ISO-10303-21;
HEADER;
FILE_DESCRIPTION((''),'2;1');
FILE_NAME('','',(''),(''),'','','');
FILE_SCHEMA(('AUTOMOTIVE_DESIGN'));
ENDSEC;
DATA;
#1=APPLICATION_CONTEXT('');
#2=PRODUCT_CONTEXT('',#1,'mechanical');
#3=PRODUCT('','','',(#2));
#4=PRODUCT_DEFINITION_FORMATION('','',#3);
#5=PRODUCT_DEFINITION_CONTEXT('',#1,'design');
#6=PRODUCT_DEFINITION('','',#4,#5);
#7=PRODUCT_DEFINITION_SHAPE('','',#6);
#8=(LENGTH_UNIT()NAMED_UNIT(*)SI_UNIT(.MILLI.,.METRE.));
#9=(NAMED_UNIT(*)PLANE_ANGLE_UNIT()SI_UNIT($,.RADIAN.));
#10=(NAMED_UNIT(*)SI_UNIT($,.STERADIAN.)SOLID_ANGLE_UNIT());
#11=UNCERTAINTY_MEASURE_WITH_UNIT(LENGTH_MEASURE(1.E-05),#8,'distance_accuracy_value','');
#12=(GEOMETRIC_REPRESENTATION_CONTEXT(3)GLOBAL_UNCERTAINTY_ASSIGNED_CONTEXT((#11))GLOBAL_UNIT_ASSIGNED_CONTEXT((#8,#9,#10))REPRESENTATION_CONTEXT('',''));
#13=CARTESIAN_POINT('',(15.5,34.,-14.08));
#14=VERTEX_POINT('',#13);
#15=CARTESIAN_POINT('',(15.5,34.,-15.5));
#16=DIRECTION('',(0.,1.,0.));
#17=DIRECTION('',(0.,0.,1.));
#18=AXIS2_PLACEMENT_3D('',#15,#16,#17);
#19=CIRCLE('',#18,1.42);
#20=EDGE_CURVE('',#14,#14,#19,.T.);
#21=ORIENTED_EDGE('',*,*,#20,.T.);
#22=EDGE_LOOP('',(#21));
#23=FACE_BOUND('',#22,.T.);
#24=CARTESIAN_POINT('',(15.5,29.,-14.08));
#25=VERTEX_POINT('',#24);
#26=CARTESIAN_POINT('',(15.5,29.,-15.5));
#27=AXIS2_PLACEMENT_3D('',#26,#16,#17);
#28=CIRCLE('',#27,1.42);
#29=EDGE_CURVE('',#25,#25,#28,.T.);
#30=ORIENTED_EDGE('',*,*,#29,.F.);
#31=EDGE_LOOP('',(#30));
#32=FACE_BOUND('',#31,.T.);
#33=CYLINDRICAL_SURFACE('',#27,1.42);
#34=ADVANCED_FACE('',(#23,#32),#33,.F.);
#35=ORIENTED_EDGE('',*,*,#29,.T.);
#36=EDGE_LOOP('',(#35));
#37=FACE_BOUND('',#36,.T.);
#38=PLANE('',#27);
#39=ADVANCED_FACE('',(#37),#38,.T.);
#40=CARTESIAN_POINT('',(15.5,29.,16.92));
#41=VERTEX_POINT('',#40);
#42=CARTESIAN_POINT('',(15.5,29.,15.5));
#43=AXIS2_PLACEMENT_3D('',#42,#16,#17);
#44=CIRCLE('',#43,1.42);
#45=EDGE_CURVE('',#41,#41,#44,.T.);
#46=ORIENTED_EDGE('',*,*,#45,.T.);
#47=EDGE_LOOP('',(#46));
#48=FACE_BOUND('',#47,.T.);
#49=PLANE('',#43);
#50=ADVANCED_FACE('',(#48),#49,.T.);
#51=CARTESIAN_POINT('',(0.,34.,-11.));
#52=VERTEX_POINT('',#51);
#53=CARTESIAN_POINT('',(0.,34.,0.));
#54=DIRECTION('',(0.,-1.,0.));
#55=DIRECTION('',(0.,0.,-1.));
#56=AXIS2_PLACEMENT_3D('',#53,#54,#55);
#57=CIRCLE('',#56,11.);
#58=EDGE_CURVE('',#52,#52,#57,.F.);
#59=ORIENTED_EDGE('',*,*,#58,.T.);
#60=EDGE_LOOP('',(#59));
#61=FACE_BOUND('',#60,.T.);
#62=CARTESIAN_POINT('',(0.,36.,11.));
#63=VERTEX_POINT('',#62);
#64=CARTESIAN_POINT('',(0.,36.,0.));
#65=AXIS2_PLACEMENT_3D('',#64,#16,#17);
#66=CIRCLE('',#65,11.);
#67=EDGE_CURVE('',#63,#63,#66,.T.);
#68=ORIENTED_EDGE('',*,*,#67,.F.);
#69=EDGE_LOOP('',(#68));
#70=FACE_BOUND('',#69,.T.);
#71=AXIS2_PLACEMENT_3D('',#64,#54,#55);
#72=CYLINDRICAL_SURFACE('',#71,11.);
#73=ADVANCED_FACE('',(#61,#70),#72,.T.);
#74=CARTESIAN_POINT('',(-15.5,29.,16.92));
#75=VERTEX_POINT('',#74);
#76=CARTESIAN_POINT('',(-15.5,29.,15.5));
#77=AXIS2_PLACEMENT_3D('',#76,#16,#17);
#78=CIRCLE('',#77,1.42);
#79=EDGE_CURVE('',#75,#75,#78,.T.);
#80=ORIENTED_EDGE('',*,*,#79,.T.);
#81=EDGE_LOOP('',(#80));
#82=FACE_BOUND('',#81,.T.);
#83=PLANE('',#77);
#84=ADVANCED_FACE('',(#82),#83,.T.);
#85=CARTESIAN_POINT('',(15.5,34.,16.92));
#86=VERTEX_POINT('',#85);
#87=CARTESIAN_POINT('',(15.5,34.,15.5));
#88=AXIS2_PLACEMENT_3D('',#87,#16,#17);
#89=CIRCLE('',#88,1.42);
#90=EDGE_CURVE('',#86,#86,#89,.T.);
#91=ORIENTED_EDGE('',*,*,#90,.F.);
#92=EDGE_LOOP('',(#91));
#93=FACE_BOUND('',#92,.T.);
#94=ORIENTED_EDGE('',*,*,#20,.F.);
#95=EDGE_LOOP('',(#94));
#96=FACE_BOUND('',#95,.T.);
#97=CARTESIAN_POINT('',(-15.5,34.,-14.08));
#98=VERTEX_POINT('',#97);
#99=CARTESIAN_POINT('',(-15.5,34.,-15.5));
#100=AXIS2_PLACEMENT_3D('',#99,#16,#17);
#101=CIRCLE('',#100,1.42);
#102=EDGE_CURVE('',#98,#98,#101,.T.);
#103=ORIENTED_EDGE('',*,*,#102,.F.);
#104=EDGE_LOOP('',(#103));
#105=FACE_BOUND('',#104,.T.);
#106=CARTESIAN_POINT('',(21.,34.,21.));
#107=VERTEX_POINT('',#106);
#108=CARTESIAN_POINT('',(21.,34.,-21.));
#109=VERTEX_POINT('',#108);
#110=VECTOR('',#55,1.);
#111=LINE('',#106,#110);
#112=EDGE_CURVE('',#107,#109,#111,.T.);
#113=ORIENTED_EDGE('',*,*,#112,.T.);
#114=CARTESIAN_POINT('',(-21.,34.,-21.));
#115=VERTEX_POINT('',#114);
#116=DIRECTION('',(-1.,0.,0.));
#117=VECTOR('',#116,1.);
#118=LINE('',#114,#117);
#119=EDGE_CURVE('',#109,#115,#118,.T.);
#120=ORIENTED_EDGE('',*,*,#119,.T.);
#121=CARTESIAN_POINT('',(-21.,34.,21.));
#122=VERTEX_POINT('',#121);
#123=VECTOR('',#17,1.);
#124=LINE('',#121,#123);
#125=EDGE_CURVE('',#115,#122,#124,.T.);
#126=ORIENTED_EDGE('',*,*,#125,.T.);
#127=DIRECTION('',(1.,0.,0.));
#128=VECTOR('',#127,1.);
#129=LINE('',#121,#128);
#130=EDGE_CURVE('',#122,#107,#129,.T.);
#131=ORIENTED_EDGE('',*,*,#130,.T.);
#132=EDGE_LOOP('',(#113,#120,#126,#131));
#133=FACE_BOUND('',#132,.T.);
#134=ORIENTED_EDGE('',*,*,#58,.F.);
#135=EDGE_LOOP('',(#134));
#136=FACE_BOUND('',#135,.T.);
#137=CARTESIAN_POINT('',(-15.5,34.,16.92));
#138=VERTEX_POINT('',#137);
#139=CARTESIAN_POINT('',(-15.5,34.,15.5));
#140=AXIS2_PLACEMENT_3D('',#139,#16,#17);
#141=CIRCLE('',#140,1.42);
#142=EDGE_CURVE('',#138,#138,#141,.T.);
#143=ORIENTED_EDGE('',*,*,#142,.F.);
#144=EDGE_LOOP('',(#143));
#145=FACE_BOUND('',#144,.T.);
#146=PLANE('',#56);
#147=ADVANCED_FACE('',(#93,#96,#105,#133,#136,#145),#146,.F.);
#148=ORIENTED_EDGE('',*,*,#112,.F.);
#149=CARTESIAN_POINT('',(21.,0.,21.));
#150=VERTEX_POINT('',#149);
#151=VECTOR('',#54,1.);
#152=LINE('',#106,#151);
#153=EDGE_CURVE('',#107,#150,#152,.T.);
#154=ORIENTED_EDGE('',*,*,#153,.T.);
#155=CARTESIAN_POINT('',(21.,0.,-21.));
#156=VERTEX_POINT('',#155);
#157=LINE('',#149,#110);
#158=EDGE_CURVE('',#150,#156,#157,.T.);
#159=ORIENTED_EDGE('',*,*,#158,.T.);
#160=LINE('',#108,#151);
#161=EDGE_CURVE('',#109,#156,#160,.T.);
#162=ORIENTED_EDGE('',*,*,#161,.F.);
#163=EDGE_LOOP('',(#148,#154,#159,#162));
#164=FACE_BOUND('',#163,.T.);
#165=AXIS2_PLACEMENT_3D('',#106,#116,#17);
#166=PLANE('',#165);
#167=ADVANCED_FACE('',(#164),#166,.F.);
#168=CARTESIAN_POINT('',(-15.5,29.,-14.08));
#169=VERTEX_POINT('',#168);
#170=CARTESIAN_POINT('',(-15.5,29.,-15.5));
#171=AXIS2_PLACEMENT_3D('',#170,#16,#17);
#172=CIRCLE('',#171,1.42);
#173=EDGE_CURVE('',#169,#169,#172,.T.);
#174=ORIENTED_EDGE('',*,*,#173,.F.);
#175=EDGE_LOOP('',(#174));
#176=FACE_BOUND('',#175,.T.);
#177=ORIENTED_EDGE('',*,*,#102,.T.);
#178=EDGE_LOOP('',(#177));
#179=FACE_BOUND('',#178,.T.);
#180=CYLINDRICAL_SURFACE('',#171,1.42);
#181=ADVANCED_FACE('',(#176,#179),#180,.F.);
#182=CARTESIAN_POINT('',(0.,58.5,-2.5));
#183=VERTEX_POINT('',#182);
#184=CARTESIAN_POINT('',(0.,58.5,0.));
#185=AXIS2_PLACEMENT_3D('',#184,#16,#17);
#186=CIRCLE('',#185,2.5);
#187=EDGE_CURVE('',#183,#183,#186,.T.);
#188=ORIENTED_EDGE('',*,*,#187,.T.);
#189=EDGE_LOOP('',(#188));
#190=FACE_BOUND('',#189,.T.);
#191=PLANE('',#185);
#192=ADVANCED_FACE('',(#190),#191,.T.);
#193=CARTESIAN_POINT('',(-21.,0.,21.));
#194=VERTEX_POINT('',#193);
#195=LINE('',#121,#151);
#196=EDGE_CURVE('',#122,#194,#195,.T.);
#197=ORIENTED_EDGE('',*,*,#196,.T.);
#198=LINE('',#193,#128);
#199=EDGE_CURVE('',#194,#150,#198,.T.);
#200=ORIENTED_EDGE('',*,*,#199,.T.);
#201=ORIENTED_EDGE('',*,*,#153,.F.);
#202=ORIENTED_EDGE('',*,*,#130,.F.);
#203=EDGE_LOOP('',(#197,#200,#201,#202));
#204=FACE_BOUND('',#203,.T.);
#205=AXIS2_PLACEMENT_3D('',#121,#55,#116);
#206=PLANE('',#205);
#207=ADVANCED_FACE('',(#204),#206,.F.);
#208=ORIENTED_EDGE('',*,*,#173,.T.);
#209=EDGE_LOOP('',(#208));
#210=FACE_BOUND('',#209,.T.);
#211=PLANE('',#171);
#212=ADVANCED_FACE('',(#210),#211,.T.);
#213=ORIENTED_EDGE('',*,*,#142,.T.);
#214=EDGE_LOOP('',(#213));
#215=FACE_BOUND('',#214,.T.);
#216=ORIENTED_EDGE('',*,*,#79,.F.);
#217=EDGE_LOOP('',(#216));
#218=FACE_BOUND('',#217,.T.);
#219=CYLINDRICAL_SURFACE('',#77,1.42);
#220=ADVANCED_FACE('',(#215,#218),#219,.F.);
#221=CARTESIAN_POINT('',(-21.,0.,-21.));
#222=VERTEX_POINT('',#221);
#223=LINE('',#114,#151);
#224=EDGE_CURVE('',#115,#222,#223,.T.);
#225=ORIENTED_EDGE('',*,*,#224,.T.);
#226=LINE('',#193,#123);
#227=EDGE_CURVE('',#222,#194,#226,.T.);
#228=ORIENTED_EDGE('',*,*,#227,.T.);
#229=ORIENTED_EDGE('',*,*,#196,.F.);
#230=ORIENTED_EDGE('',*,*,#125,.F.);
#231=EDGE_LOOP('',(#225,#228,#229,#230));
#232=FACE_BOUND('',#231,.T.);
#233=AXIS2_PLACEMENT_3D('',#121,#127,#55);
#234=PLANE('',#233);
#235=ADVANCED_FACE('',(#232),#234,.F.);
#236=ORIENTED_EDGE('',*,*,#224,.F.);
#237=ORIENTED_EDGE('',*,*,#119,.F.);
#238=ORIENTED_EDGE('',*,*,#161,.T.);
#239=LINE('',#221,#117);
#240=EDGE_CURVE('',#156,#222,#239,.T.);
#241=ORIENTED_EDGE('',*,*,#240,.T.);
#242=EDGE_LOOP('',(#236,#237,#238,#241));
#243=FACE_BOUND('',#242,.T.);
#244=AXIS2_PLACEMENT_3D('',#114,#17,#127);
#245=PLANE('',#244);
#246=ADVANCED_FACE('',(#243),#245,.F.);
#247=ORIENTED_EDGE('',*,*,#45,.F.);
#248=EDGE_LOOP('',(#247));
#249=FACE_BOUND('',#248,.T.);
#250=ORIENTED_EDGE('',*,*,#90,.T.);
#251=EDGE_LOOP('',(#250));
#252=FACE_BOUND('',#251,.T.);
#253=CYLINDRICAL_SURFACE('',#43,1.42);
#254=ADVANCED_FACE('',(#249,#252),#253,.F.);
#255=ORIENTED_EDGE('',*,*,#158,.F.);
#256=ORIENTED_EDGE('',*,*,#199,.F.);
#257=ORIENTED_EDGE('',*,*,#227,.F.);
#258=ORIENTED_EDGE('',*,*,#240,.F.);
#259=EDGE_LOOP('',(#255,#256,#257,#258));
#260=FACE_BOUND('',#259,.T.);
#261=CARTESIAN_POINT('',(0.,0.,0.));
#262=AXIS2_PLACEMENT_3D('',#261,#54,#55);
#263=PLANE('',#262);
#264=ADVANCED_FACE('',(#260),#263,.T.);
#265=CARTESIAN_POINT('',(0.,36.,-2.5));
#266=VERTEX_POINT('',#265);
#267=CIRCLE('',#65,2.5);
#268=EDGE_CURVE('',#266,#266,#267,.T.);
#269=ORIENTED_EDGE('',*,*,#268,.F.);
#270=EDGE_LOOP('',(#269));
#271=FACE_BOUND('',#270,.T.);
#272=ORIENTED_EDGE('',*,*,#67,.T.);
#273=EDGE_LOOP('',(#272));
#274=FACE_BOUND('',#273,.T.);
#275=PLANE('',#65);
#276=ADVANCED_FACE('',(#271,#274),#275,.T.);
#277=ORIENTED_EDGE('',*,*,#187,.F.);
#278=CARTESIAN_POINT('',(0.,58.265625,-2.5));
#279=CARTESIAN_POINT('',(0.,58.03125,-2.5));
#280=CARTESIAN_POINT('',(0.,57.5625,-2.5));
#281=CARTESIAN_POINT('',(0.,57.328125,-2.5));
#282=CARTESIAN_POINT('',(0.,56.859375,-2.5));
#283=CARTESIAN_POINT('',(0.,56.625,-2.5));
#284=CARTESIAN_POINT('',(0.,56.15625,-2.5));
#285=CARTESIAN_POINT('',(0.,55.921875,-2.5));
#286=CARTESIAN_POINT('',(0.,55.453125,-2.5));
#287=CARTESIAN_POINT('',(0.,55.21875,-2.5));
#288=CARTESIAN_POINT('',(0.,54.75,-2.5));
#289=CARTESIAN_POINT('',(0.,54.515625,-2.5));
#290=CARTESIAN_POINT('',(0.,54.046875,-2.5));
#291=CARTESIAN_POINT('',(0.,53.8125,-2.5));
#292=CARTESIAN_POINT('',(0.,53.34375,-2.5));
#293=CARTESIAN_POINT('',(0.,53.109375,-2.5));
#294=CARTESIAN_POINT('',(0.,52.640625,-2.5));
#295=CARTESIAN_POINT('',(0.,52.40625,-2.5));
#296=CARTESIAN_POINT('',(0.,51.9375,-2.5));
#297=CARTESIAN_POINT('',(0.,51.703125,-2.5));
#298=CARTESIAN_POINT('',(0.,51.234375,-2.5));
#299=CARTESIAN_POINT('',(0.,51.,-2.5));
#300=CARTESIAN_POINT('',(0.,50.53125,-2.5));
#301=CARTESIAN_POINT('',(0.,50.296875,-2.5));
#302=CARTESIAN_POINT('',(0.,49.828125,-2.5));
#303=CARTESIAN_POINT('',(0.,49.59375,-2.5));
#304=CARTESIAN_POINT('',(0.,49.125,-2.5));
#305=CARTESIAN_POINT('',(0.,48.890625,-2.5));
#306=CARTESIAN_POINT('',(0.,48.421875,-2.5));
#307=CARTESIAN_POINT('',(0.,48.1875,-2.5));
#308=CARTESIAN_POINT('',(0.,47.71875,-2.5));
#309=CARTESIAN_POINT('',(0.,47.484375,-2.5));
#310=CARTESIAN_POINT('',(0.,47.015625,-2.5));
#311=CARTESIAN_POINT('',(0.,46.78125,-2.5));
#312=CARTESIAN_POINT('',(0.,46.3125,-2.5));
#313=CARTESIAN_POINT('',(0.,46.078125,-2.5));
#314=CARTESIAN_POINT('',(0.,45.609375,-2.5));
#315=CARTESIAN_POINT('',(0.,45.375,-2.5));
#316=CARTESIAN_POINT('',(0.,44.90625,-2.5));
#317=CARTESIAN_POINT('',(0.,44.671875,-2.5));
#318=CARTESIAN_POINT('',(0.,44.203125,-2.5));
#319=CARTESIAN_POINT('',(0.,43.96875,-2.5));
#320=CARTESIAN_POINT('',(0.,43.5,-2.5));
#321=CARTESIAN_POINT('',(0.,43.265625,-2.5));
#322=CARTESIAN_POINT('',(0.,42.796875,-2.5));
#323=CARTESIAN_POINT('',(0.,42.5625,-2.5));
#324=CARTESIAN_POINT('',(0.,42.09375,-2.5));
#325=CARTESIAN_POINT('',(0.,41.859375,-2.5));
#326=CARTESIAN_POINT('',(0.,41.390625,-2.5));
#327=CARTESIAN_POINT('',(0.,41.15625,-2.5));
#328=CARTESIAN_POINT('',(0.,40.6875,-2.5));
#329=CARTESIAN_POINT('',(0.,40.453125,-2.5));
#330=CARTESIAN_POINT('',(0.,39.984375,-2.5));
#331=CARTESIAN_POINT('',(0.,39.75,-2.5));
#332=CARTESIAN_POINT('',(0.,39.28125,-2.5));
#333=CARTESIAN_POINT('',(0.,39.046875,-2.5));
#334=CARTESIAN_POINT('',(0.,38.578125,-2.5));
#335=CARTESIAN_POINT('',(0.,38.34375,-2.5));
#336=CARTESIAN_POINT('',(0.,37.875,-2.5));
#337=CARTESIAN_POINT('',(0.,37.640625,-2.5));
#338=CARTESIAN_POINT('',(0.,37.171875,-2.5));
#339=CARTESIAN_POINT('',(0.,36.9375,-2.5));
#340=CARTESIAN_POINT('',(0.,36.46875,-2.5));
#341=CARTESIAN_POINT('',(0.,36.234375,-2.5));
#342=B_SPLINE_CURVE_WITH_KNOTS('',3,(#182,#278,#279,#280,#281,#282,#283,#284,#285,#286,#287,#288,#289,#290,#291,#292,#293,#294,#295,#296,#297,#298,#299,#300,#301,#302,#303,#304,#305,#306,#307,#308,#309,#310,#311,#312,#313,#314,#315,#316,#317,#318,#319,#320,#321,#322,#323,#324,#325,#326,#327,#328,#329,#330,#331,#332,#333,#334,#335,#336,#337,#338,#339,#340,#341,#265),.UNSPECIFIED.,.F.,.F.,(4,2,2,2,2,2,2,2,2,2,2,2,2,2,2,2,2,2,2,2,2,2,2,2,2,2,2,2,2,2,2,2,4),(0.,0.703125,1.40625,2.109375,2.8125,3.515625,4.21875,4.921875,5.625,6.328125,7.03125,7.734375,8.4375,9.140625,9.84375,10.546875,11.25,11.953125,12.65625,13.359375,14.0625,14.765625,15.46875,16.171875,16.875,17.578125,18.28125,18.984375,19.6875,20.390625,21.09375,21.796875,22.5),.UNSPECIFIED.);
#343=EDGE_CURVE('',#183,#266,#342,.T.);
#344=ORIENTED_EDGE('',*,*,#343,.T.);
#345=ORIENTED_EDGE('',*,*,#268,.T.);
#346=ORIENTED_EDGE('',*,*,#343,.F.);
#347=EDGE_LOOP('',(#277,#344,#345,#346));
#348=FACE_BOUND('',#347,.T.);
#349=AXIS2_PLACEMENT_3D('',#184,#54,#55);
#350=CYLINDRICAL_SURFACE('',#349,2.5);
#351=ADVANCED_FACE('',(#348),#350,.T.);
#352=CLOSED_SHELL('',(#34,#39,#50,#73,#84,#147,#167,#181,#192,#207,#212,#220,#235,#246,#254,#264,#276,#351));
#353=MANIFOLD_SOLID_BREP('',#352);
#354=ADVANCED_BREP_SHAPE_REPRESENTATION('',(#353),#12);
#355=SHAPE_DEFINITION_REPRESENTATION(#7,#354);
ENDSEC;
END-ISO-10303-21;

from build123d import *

# Parameters (mm, degrees)
SKETCH1_W           = 42
SKETCH1_H           = 42
BOSS_EXTRUDE1_DEPTH = 34
SKETCH2_R           = 11
BOSS_EXTRUDE2_DEPTH = 2
SKETCH3_R           = 2.5
BOSS_EXTRUDE3_DEPTH = 22.5
SKETCH4_R           = 1.42
CUT_EXTRUDE1_DEPTH  = 5


with BuildPart() as part:
    # Sketch1 → Boss-Extrude1 (new body)
    with BuildSketch(Plane(origin=(0, 0, 0), x_dir=(1, 0, 0), z_dir=(0, 1, 0))):
        Rectangle(SKETCH1_W, SKETCH1_H)
    extrude(amount=BOSS_EXTRUDE1_DEPTH)

    # Sketch2 → Boss-Extrude2 (add)
    with BuildSketch(Plane(origin=(0, 34, 0), x_dir=(1, 0, 0), z_dir=(0, 1, 0))):
        with Locations(Location((0, 0, 0), (0, 0, 90))):
            Circle(SKETCH2_R)
    extrude(amount=BOSS_EXTRUDE2_DEPTH)

    # Sketch3 → Boss-Extrude3 (add)
    with BuildSketch(Plane(origin=(0, 36, 0), x_dir=(1, 0, 0), z_dir=(0, 1, 0))):
        with Locations(Location((0, 0, 0), (0, 0, 90))):
            Circle(SKETCH3_R)
    extrude(amount=BOSS_EXTRUDE3_DEPTH)

    # Sketch4 → Cut-Extrude1 (cut)
    with BuildSketch(Plane(origin=(0, 34, 0), x_dir=(1, 0, 0), z_dir=(0, 1, 0))):
        with Locations(Location((-15.5, 15.5, 0), (0, 0, 270))):
            Circle(SKETCH4_R)
        with Locations(Location((15.5, 15.5, 0), (0, 0, 270))):
            Circle(SKETCH4_R)
        with Locations(Location((15.5, -15.5, 0), (0, 0, 270))):
            Circle(SKETCH4_R)
        with Locations(Location((-15.5, -15.5, 0), (0, 0, 270))):
            Circle(SKETCH4_R)
    extrude(amount=-CUT_EXTRUDE1_DEPTH, mode=Mode.SUBTRACT)


solid = part.part
